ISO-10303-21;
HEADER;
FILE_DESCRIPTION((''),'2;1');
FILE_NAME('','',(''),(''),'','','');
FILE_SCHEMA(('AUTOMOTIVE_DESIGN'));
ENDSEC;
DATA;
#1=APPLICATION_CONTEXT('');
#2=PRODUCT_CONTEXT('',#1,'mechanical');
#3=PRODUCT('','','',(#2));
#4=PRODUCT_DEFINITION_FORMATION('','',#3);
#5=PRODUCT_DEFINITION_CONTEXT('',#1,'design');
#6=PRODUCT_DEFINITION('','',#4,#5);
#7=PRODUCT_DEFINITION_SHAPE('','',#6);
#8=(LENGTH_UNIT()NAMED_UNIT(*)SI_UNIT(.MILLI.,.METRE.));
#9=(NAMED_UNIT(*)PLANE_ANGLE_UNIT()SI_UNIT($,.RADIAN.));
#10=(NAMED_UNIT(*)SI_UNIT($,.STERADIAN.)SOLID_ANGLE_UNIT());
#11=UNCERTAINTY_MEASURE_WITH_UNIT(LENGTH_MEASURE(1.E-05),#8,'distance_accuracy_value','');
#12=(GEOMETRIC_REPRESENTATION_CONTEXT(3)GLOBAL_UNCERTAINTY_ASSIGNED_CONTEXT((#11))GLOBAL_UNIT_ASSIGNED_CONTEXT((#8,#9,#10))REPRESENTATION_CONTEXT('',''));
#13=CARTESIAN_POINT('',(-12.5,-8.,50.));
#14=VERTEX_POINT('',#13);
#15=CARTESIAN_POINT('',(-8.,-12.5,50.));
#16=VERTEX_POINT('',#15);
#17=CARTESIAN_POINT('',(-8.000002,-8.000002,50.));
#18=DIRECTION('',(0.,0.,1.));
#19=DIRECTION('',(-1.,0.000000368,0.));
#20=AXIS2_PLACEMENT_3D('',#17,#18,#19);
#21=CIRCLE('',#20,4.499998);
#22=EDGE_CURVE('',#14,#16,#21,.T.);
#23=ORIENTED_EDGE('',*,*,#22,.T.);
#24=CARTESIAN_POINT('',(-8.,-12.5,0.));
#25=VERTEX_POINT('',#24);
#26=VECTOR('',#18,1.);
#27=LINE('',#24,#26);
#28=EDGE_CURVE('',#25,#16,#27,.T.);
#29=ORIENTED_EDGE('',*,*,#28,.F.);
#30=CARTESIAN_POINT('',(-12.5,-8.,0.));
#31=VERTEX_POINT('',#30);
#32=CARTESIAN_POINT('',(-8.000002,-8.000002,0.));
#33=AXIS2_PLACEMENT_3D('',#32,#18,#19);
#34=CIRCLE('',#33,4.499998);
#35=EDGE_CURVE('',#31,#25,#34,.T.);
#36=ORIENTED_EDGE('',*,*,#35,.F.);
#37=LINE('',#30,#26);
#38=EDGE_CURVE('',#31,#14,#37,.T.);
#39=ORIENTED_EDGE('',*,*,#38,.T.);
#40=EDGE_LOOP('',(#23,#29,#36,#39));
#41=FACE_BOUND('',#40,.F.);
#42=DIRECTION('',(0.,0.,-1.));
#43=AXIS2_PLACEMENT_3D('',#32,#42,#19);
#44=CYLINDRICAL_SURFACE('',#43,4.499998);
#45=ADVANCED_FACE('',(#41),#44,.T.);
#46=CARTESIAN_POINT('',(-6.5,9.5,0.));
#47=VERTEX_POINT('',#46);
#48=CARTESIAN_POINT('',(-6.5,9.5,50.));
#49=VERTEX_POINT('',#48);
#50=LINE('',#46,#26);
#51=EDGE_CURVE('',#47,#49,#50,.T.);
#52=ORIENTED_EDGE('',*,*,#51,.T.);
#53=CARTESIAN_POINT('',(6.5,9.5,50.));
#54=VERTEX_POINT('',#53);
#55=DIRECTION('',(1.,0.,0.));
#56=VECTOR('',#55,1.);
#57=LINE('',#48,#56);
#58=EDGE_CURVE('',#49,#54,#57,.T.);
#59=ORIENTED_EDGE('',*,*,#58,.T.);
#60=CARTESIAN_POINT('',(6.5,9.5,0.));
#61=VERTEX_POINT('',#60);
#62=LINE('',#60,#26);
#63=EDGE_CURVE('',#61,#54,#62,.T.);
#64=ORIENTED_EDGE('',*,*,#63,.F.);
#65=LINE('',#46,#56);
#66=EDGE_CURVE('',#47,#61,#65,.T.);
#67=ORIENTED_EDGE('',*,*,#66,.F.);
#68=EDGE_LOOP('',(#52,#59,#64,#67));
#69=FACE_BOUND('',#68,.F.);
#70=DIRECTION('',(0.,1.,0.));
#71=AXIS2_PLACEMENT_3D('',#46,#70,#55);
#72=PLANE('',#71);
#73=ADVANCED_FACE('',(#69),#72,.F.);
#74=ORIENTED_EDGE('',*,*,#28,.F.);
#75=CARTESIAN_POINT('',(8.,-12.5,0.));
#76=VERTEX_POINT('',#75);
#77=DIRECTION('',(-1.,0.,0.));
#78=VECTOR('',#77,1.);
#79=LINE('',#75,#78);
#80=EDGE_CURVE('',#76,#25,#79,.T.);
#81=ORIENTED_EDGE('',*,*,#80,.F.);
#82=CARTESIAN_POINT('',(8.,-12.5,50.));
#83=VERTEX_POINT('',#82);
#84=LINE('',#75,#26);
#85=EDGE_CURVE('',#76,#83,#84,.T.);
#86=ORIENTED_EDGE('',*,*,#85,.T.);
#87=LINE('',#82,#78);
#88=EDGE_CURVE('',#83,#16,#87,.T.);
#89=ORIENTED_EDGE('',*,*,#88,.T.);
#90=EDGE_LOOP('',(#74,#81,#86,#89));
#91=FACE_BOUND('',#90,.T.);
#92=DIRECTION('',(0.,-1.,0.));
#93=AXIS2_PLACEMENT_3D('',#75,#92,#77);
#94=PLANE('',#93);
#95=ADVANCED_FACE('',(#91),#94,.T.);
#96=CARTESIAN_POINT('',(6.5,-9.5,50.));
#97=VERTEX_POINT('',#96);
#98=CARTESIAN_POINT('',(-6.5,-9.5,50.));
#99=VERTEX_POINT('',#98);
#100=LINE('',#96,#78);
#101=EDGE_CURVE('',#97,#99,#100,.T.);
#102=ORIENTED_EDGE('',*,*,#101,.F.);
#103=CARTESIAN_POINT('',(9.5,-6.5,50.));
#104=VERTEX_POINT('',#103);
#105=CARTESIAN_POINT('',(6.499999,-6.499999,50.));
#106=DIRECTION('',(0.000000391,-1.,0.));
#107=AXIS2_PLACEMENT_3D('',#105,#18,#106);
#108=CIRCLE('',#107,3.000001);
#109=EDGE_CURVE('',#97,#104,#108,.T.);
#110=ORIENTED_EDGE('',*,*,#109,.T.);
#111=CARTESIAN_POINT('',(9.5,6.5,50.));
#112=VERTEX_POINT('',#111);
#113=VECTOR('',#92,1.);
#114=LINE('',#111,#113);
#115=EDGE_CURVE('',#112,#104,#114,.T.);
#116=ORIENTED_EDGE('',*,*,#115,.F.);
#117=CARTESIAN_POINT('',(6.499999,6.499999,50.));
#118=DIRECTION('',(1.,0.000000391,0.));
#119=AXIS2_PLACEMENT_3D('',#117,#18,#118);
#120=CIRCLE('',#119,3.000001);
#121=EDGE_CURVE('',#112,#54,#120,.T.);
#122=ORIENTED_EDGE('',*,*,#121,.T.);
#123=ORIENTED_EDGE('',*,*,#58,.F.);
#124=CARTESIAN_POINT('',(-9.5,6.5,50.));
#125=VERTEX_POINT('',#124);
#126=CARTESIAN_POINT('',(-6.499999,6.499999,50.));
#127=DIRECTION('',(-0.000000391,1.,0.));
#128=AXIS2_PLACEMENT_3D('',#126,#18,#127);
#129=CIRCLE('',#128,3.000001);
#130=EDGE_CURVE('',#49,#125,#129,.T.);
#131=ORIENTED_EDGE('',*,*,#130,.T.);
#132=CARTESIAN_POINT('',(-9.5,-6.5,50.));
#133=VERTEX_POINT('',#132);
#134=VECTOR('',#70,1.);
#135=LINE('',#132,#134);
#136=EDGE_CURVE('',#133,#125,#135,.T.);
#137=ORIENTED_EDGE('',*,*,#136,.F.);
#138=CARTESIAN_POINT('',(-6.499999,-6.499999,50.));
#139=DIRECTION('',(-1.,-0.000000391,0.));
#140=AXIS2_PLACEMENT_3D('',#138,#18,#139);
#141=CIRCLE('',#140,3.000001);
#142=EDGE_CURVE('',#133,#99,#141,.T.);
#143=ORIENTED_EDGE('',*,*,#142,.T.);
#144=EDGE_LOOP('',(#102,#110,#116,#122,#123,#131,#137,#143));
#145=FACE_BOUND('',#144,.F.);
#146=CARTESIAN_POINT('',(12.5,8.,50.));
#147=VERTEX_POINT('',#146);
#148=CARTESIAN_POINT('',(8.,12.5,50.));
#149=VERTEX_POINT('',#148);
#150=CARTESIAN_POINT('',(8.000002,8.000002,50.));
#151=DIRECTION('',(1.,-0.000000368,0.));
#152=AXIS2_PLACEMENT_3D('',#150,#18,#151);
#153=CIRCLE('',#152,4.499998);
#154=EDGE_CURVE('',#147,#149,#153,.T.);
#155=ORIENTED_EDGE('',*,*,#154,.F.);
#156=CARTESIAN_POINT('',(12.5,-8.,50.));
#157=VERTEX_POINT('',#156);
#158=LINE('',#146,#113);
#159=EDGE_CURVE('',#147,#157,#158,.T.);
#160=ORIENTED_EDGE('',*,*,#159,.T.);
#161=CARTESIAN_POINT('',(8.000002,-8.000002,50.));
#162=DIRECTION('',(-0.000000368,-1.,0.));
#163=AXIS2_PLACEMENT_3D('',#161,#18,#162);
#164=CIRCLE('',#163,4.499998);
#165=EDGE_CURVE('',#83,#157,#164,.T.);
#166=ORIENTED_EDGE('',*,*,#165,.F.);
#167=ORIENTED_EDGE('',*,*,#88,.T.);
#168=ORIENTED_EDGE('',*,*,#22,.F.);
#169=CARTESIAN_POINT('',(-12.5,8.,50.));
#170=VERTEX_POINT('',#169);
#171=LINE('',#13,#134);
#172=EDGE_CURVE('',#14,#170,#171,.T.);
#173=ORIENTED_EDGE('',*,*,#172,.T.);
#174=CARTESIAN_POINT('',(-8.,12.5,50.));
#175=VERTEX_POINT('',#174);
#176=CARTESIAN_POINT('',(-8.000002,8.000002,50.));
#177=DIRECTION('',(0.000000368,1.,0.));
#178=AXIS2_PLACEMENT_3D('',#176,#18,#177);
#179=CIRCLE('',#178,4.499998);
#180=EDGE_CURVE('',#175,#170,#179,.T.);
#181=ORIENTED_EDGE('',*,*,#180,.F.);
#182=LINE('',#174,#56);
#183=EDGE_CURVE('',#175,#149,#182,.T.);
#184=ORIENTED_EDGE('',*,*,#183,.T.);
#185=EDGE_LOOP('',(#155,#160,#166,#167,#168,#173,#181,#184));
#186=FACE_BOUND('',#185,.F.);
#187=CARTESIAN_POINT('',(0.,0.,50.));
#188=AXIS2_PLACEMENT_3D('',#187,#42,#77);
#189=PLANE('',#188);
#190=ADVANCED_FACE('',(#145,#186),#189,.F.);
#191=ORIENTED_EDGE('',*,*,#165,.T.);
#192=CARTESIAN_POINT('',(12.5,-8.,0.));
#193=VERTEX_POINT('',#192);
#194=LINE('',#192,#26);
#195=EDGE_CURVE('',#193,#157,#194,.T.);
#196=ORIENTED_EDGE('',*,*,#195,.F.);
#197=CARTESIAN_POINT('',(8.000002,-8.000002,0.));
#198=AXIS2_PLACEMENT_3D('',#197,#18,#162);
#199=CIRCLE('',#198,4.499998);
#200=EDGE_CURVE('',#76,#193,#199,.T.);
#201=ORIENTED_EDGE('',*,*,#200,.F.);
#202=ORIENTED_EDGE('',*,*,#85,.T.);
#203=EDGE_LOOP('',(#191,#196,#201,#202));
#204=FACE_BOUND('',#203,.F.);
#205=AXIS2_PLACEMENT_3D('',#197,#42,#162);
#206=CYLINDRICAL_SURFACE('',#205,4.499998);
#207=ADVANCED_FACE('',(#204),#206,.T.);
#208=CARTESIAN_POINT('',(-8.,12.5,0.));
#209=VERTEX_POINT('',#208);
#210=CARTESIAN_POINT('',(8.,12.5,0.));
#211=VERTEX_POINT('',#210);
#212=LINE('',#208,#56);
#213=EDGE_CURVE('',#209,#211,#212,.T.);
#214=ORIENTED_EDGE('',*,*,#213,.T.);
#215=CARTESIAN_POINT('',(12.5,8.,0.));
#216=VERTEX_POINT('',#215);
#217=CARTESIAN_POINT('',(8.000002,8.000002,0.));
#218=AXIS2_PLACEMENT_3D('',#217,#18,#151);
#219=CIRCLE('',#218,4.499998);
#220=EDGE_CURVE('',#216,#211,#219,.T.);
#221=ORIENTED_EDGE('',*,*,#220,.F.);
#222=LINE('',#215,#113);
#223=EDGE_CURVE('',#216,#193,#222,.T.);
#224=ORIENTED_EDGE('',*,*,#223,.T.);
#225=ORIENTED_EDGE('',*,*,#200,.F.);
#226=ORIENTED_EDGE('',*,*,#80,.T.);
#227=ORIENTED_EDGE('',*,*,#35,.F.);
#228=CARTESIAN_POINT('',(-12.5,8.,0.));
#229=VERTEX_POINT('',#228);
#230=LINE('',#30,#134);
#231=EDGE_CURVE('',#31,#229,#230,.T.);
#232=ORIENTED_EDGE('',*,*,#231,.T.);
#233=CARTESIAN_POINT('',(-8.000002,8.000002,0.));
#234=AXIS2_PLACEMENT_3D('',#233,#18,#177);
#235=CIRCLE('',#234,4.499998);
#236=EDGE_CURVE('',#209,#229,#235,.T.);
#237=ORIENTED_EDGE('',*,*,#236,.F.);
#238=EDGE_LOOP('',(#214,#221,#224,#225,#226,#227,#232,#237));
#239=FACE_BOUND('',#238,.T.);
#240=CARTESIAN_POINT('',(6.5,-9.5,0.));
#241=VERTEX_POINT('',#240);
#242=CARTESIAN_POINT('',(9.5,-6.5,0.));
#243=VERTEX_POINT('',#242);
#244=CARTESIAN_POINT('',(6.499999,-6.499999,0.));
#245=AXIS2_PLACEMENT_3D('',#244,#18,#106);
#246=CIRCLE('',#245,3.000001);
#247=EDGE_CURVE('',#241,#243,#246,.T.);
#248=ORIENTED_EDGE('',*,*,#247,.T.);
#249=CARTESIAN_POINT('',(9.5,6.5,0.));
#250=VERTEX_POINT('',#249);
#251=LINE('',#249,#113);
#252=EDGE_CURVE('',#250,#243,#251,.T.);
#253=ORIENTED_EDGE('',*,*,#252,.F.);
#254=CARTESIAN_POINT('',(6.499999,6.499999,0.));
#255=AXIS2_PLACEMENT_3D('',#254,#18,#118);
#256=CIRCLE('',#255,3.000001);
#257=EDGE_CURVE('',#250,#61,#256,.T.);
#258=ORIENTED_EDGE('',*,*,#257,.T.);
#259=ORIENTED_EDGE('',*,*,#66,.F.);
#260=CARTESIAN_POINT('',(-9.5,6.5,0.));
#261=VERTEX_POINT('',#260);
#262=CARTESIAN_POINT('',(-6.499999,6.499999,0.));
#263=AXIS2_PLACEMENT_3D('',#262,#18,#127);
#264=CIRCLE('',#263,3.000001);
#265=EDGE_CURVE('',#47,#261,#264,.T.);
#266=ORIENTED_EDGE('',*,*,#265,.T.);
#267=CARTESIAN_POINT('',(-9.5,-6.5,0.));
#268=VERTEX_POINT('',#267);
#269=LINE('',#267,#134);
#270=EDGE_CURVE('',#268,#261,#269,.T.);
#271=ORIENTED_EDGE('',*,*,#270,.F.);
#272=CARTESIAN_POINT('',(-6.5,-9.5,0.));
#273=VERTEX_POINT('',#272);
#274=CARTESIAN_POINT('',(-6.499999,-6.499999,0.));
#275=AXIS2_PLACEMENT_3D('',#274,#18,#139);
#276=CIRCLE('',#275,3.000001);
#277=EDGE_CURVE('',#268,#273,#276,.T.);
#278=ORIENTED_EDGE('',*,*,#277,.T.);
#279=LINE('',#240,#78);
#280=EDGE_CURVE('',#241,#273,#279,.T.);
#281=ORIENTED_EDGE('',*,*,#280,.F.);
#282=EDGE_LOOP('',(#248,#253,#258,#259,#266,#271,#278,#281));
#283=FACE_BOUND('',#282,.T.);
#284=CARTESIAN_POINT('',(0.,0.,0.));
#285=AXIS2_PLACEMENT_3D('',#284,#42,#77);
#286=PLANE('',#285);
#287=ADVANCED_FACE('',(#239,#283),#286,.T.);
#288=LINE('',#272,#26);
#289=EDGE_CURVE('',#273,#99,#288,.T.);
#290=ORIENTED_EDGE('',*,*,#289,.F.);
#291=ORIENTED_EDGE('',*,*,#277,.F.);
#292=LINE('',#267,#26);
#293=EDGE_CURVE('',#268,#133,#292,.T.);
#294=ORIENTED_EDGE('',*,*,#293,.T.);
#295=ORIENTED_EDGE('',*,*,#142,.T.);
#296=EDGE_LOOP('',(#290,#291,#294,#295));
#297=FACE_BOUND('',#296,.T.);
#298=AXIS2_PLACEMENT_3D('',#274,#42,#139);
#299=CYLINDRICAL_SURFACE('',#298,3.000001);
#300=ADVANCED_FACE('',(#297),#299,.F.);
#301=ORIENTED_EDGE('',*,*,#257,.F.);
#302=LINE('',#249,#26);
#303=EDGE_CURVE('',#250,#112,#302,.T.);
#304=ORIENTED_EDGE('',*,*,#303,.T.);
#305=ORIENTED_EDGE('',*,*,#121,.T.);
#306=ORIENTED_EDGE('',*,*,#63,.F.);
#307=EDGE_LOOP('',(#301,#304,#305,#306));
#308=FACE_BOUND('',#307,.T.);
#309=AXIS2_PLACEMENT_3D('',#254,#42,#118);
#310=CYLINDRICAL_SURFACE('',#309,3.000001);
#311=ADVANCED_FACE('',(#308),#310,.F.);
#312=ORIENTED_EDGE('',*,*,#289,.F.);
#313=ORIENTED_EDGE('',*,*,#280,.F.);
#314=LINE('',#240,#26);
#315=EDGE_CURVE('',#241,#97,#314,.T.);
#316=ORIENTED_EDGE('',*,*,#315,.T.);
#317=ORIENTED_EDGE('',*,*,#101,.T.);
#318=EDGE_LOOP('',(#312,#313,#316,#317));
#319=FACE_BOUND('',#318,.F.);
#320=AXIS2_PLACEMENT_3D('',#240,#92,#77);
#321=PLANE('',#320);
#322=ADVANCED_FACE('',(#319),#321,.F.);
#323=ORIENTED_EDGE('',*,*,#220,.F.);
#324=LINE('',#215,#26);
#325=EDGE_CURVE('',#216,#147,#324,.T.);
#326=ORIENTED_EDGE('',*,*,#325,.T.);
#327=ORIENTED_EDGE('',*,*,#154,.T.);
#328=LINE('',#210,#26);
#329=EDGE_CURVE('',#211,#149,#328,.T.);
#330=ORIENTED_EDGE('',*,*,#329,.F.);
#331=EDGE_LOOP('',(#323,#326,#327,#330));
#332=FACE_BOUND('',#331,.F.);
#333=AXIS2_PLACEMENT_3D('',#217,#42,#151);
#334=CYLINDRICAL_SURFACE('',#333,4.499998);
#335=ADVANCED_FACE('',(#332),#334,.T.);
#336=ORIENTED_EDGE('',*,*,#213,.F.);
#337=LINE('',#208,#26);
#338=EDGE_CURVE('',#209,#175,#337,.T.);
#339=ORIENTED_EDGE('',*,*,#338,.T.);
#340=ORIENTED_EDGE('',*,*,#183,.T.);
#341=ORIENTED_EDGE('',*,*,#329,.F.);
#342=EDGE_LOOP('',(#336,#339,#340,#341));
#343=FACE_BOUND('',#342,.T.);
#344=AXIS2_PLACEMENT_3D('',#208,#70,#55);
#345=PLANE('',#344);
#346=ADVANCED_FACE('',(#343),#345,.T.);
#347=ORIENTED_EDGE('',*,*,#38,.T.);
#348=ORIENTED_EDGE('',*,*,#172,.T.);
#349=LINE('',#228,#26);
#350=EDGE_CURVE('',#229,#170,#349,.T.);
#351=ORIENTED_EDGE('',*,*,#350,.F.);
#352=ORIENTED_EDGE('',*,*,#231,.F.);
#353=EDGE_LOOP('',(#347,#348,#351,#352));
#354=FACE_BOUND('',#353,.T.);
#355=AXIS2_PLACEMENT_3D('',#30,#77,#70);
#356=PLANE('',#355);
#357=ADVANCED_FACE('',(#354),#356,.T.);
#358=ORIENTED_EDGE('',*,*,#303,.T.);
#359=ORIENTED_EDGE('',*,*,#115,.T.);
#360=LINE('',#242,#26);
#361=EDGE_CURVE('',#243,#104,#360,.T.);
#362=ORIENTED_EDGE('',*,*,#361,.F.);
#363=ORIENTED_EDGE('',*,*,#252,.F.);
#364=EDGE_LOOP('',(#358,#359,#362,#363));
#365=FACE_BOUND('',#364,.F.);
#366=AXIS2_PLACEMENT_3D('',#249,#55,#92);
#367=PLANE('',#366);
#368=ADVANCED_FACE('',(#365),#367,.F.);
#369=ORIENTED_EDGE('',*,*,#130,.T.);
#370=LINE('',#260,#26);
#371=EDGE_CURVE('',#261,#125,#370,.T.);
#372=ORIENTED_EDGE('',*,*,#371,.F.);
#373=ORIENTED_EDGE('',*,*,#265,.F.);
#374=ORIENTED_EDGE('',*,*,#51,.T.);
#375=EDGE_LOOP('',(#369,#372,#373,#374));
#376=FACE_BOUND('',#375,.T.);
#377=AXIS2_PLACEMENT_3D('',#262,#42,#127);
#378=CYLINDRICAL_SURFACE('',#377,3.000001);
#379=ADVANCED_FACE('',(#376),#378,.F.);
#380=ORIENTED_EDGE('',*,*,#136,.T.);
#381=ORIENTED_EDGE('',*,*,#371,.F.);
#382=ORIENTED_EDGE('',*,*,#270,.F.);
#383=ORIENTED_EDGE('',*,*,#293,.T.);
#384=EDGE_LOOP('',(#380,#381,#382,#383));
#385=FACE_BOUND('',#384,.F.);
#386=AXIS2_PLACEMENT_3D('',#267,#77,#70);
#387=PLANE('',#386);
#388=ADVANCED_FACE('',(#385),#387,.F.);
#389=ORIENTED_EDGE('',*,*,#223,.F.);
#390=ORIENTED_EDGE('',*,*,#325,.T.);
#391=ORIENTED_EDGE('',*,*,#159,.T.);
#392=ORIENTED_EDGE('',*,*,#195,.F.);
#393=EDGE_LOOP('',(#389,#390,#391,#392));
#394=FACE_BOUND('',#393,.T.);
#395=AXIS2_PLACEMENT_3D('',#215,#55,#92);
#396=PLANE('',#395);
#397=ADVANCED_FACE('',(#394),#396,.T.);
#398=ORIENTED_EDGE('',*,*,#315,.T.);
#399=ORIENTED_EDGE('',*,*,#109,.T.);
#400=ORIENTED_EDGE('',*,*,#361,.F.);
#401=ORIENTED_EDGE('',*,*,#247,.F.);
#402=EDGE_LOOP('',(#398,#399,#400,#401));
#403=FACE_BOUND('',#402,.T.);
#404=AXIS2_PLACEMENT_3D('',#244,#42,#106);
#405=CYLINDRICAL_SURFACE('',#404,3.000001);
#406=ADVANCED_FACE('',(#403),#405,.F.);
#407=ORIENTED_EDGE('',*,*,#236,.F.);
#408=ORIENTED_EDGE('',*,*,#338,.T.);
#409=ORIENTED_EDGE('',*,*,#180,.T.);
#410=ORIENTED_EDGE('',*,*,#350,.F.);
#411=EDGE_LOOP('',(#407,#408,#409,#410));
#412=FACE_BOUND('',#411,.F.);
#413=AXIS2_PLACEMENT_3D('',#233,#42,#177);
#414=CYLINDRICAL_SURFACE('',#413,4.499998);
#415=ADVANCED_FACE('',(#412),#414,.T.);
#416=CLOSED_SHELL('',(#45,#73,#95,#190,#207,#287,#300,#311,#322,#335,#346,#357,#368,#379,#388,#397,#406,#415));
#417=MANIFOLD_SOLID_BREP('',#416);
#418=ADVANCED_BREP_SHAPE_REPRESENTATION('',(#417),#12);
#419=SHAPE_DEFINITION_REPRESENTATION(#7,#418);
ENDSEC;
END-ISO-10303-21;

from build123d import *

# Parameters (mm, degrees)
EXTRUDE_DEPTH = 50


with BuildPart() as part:
    # Sketch → Extrude (new body)
    with BuildSketch(Plane.XY):
        with BuildLine():
            Line((-8, 12.5), (8, 12.5))
            ThreePointArc((12.5, 8), (11.181981, 11.181981), (8, 12.5))
            Line((12.5, 8), (12.5, -8))
            ThreePointArc((8, -12.5), (11.181981, -11.181981), (12.5, -8))
            Line((8, -12.5), (-8, -12.5))
            ThreePointArc((-12.5, -8), (-11.181981, -11.181981), (-8, -12.5))
            Line((-12.5, -8), (-12.5, 8))
            ThreePointArc((-8, 12.5), (-11.181981, 11.181981), (-12.5, 8))
        make_face()
        with BuildLine():
            Line((-6.5, 9.5), (6.5, 9.5))
            ThreePointArc((9.5, 6.5), (8.62132, 8.62132), (6.5, 9.5))
            Line((9.5, 6.5), (9.5, -6.5))
            ThreePointArc((6.5, -9.5), (8.62132, -8.62132), (9.5, -6.5))
            Line((6.5, -9.5), (-6.5, -9.5))
            ThreePointArc((-9.5, -6.5), (-8.62132, -8.62132), (-6.5, -9.5))
            Line((-9.5, -6.5), (-9.5, 6.5))
            ThreePointArc((-6.5, 9.5), (-8.62132, 8.62132), (-9.5, 6.5))
        make_face(mode=Mode.SUBTRACT)
    extrude(amount=EXTRUDE_DEPTH)


solid = part.part
